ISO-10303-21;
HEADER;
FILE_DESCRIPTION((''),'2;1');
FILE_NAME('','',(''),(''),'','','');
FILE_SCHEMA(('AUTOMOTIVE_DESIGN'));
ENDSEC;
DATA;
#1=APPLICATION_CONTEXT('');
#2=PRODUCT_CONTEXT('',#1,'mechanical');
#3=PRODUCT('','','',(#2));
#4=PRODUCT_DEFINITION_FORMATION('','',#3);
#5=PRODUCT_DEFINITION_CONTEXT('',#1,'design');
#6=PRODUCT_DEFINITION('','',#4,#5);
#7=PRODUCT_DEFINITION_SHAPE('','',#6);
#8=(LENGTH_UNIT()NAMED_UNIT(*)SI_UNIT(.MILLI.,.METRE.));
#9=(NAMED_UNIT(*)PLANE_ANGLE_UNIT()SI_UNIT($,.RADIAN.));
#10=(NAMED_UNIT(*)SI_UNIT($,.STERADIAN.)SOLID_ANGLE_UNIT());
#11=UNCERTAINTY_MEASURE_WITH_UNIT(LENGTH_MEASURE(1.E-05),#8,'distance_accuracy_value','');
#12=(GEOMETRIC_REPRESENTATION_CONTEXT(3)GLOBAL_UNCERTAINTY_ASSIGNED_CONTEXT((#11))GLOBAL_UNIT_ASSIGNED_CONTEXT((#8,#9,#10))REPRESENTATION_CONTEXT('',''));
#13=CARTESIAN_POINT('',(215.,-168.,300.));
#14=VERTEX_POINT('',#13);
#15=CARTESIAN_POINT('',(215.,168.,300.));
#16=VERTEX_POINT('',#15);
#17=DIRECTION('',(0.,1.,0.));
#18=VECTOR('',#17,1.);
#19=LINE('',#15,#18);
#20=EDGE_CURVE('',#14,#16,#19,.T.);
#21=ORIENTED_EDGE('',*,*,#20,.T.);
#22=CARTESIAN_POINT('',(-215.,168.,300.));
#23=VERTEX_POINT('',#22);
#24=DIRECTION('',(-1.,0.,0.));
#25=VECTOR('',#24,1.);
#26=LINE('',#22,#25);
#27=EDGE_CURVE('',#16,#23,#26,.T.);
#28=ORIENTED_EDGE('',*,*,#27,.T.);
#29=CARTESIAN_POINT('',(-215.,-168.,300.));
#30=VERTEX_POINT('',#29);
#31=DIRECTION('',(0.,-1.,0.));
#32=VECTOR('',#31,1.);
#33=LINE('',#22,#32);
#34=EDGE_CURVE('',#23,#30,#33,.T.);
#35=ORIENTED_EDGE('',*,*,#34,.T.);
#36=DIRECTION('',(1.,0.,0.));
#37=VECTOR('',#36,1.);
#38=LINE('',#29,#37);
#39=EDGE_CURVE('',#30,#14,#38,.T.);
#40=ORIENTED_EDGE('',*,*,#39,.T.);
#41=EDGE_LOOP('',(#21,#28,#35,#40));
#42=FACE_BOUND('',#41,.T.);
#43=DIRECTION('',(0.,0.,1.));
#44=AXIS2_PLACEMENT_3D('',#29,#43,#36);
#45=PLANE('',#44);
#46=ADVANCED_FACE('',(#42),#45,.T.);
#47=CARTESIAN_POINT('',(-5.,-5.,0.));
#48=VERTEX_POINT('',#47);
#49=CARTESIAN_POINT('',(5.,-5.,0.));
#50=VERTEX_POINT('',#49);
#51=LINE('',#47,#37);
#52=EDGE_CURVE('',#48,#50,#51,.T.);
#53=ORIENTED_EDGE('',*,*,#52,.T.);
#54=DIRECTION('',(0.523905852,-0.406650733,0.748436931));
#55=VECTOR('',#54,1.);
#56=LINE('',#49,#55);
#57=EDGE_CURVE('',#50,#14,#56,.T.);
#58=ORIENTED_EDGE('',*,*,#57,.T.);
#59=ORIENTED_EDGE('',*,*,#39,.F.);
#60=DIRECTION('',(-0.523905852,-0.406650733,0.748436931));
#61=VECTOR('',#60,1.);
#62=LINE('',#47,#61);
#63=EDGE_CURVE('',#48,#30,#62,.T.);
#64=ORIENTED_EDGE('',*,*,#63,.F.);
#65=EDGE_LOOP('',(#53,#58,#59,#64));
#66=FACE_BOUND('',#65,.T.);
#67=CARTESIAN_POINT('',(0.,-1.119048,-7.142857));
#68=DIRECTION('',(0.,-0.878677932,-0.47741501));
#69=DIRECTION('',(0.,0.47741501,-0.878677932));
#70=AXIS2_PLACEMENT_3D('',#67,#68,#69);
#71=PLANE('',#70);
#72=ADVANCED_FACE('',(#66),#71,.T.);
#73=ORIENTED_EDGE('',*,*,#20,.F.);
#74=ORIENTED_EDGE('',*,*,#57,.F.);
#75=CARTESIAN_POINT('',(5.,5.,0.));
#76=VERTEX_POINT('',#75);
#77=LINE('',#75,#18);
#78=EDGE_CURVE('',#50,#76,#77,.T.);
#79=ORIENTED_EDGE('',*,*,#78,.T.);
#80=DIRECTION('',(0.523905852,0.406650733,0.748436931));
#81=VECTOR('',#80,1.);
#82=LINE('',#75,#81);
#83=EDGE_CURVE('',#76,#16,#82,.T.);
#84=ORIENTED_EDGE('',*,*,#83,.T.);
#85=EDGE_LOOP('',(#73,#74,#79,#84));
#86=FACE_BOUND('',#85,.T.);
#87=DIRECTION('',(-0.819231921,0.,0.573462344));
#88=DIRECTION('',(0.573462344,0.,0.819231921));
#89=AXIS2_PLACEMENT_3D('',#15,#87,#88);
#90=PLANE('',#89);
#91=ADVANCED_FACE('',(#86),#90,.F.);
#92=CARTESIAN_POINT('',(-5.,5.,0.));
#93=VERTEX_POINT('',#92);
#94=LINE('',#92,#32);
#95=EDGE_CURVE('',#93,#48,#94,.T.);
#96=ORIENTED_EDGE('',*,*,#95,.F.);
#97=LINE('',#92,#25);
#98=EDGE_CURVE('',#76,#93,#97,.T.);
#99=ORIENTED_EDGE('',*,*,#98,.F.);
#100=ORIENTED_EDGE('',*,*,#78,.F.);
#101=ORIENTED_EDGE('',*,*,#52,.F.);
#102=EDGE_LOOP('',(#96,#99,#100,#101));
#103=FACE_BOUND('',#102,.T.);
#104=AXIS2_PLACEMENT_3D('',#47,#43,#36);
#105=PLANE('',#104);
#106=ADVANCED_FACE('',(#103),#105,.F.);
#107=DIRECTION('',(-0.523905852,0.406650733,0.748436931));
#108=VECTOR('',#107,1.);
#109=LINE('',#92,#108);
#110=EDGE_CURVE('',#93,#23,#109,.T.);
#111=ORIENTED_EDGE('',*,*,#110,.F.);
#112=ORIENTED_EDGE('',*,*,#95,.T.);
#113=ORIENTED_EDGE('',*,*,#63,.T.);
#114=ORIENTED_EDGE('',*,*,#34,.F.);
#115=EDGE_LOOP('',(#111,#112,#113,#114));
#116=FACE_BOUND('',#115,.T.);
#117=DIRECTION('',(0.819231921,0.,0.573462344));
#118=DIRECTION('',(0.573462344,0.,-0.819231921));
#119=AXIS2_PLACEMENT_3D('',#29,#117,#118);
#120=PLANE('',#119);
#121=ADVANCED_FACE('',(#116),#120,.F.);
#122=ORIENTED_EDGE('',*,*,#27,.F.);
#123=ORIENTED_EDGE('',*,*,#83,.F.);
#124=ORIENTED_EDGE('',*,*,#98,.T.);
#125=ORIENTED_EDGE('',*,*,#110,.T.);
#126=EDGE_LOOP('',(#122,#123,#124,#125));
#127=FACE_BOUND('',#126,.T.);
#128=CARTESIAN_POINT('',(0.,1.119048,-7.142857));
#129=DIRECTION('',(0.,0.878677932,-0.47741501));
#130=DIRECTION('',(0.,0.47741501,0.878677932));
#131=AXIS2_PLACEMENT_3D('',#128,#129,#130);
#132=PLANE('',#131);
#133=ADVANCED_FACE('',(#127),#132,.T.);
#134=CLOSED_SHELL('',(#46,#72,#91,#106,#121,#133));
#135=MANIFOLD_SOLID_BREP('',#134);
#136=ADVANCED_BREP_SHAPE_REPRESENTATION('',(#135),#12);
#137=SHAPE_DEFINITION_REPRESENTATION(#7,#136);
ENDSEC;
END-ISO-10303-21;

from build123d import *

# Parameters (mm, degrees)
SKETCH1_W = 10
SKETCH1_H = 10
SKETCH2_W = 430
SKETCH2_H = 336


with BuildPart() as part:
    # Sketch1 → Loft1 section 0
    with BuildSketch(Plane.XY):
        Rectangle(SKETCH1_W, SKETCH1_H)
    # Sketch2 → Loft1 section 1
    with BuildSketch(Plane.XY.offset(300)):
        Rectangle(SKETCH2_W, SKETCH2_H)
    loft()


solid = part.part
